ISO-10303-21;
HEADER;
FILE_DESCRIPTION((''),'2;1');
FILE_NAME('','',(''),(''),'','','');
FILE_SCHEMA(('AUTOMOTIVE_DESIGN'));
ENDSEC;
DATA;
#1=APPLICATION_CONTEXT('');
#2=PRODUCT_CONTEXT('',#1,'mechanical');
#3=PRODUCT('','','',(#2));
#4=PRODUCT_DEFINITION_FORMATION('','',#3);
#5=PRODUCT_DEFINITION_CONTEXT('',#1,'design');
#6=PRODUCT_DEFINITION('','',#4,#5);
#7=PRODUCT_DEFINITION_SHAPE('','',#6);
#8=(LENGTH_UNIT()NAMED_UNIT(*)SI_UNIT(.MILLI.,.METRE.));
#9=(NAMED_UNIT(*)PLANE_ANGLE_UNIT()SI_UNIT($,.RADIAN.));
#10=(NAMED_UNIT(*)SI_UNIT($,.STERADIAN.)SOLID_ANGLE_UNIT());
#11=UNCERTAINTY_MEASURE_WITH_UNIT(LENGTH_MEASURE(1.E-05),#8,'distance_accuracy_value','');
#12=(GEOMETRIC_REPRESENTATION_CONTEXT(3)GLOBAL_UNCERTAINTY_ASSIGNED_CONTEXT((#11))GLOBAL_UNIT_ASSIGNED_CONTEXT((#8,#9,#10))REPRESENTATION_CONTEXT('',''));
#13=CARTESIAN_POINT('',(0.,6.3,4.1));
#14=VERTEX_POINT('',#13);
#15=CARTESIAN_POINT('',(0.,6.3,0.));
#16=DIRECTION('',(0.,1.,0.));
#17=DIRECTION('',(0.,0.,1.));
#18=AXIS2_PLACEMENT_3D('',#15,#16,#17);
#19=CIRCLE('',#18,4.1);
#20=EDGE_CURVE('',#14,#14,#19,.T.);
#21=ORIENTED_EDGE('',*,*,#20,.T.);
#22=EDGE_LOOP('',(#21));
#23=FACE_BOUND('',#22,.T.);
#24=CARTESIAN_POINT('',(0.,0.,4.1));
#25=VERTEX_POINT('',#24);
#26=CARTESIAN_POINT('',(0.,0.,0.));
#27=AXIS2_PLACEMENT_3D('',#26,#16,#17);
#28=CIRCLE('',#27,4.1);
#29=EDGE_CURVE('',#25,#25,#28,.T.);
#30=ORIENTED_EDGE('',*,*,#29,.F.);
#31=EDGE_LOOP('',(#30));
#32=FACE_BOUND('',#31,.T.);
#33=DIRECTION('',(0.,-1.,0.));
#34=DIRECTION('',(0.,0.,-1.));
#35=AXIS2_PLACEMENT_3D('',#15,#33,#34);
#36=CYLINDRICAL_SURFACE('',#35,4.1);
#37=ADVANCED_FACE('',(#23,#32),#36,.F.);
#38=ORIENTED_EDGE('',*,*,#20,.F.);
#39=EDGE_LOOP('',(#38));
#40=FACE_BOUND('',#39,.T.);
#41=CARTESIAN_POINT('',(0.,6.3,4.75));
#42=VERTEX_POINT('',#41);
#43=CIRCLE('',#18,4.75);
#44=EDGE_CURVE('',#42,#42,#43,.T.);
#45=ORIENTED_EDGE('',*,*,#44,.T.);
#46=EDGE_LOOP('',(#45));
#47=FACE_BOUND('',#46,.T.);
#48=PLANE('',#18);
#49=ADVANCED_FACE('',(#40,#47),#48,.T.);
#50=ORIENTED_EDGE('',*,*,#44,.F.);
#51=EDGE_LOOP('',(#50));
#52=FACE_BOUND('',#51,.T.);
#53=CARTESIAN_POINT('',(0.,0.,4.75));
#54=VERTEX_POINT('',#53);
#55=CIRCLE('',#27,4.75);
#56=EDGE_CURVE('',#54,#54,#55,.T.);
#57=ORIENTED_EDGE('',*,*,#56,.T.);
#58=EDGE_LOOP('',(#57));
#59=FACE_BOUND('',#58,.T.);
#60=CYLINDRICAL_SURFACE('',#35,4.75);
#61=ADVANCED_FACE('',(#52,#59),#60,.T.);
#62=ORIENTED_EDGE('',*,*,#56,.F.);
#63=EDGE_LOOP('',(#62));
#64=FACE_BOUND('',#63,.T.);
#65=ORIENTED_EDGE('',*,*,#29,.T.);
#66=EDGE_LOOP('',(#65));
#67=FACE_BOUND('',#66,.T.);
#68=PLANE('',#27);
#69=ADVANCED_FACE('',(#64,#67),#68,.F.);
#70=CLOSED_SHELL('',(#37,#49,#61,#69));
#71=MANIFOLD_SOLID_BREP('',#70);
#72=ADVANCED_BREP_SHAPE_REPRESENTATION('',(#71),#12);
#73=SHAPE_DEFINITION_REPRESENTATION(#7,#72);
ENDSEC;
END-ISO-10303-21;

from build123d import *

# Parameters (mm, degrees)
SKETCH1_R           = 4.75
SKETCH1_R_2         = 4.1
BOSS_EXTRUDE1_DEPTH = 6.3


with BuildPart() as part:
    # Sketch1 → Boss-Extrude1 (new body)
    with BuildSketch(Plane(origin=(0, 0, 0), x_dir=(1, 0, 0), z_dir=(0, 1, 0))):
        with Locations(Location((0, 0, 0), (0, 0, 270))):
            Circle(SKETCH1_R)
        with Locations(Location((0, 0, 0), (0, 0, 270))):
            Circle(SKETCH1_R_2, mode=Mode.SUBTRACT)
    extrude(amount=BOSS_EXTRUDE1_DEPTH)


solid = part.part
